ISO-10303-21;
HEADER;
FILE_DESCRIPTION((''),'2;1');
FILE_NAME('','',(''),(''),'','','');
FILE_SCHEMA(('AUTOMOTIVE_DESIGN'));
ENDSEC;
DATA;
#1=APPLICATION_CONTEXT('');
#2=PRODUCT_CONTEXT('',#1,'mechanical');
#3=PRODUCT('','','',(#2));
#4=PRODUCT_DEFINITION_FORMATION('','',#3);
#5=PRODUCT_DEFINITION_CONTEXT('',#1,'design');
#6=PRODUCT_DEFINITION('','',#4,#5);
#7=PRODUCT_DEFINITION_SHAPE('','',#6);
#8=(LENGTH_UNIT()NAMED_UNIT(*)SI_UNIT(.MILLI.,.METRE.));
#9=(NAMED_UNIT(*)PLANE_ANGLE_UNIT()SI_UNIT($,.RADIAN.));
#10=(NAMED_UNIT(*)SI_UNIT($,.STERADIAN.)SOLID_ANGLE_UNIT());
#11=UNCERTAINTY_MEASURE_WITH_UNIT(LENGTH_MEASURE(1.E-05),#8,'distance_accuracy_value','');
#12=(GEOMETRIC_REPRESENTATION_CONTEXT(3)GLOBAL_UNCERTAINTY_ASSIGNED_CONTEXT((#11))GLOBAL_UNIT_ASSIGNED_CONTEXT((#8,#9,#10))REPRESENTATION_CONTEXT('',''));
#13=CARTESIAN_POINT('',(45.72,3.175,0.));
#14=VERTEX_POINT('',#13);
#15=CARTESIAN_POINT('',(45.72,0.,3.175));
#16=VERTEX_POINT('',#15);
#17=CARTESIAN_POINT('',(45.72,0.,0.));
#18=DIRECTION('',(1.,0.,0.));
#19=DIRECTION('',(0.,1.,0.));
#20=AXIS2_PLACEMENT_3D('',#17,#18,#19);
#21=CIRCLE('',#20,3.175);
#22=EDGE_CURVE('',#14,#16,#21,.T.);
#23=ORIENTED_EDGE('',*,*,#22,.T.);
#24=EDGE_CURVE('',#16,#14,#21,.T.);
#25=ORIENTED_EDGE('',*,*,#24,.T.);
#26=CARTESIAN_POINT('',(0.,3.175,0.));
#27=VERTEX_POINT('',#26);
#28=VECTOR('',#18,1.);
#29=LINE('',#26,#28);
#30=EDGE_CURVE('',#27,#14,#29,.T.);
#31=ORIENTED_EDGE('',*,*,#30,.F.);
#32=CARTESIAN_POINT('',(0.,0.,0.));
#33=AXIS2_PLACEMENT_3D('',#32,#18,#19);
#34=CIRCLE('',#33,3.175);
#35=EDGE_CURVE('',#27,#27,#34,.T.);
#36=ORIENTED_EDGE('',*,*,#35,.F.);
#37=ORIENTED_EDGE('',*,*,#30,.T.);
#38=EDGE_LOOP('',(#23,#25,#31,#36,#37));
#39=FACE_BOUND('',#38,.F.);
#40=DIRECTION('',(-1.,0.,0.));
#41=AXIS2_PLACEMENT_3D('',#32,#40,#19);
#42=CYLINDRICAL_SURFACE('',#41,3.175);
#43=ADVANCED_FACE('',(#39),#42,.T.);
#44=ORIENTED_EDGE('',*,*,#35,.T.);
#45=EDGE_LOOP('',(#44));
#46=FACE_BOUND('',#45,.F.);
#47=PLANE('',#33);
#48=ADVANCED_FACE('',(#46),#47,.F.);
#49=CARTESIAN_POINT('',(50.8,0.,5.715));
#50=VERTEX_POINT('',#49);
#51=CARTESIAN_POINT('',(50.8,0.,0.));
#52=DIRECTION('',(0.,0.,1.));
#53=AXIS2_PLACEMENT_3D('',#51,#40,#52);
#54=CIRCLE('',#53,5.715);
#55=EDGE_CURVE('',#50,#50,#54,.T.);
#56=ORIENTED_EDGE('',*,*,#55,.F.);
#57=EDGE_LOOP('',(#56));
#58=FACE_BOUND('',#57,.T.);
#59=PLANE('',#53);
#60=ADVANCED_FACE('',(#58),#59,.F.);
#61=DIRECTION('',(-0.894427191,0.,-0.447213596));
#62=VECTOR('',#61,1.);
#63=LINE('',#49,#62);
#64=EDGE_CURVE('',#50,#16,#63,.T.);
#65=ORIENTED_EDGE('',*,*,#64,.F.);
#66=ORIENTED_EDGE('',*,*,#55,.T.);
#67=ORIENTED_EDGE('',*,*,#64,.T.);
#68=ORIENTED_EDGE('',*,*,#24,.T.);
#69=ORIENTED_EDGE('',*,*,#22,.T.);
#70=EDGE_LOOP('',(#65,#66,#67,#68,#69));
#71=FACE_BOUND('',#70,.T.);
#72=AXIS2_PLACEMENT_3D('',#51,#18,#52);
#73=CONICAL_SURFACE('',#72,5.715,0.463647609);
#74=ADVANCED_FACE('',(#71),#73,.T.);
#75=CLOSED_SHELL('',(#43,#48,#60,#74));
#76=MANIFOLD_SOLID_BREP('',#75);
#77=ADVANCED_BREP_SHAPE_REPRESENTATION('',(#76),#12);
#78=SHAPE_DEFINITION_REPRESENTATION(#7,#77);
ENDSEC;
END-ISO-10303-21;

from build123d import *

# Parameters (mm, degrees)
F0_R     = 3.175
F1_DEPTH = 45.72


with BuildPart() as f1:
    # F0 (on Right) → F1 (new body)
    with BuildSketch(Plane.YZ):
        Circle(F0_R)
    extrude(amount=F1_DEPTH)

    # F2 (on Front) → F3 (revolve)
    with BuildSketch(Plane.XZ):
        Polygon((50.8, 5.715), (45.72, 3.175), (45.72, 0), (50.8, 0), align=None)
    revolve(axis=Axis((48.26, 0, 0), (-1, 0, 0)))


solid = f1.part
